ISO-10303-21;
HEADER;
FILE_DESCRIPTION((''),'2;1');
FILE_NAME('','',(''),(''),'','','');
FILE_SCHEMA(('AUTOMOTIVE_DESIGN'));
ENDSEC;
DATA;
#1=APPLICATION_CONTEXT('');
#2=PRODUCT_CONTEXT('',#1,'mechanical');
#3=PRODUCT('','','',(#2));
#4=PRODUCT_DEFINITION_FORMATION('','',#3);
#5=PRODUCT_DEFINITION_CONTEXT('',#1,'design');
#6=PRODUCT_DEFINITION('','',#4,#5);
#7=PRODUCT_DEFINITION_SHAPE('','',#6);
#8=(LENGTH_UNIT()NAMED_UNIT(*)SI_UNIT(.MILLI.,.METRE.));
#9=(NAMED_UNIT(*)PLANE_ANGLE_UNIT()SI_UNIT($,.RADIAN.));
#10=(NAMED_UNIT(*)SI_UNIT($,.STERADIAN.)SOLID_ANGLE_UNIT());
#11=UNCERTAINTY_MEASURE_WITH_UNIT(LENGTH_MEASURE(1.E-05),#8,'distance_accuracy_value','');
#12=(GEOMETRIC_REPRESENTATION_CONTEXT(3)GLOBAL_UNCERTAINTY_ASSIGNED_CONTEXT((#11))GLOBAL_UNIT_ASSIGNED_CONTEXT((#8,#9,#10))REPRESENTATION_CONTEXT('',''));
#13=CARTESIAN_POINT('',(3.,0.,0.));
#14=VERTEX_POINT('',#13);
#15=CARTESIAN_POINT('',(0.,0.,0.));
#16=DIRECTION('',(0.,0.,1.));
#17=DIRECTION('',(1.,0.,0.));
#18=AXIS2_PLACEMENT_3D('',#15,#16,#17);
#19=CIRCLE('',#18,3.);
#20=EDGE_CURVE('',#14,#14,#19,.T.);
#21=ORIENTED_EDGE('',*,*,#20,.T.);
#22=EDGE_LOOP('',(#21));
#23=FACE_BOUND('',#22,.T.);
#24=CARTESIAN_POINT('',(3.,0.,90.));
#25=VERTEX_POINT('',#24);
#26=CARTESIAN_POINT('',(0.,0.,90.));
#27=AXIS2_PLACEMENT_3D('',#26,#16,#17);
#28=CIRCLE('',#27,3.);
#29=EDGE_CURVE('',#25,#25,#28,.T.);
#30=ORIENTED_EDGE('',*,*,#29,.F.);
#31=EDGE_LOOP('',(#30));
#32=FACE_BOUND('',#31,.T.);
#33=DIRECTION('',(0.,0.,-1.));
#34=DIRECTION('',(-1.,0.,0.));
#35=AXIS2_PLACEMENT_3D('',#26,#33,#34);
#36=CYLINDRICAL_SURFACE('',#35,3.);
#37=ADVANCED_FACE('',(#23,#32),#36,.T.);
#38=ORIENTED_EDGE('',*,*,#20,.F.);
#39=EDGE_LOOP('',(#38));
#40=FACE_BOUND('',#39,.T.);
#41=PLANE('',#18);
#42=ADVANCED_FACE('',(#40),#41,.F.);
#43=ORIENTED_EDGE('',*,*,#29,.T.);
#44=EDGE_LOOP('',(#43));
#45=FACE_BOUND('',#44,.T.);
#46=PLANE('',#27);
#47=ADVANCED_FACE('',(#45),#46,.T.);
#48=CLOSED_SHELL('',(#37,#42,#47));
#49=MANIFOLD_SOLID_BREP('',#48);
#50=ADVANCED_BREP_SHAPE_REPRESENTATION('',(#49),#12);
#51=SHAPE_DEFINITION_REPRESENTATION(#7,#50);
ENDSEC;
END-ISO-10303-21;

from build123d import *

# Parameters (mm, degrees)
ESQUISSE1_R        = 3
BOSS_EXTRU_1_DEPTH = 90


with BuildPart() as part:
    # Esquisse1 → Boss.-Extru.1 (new body)
    with BuildSketch(Plane.XY):
        Circle(ESQUISSE1_R)
    extrude(amount=BOSS_EXTRU_1_DEPTH)


solid = part.part
